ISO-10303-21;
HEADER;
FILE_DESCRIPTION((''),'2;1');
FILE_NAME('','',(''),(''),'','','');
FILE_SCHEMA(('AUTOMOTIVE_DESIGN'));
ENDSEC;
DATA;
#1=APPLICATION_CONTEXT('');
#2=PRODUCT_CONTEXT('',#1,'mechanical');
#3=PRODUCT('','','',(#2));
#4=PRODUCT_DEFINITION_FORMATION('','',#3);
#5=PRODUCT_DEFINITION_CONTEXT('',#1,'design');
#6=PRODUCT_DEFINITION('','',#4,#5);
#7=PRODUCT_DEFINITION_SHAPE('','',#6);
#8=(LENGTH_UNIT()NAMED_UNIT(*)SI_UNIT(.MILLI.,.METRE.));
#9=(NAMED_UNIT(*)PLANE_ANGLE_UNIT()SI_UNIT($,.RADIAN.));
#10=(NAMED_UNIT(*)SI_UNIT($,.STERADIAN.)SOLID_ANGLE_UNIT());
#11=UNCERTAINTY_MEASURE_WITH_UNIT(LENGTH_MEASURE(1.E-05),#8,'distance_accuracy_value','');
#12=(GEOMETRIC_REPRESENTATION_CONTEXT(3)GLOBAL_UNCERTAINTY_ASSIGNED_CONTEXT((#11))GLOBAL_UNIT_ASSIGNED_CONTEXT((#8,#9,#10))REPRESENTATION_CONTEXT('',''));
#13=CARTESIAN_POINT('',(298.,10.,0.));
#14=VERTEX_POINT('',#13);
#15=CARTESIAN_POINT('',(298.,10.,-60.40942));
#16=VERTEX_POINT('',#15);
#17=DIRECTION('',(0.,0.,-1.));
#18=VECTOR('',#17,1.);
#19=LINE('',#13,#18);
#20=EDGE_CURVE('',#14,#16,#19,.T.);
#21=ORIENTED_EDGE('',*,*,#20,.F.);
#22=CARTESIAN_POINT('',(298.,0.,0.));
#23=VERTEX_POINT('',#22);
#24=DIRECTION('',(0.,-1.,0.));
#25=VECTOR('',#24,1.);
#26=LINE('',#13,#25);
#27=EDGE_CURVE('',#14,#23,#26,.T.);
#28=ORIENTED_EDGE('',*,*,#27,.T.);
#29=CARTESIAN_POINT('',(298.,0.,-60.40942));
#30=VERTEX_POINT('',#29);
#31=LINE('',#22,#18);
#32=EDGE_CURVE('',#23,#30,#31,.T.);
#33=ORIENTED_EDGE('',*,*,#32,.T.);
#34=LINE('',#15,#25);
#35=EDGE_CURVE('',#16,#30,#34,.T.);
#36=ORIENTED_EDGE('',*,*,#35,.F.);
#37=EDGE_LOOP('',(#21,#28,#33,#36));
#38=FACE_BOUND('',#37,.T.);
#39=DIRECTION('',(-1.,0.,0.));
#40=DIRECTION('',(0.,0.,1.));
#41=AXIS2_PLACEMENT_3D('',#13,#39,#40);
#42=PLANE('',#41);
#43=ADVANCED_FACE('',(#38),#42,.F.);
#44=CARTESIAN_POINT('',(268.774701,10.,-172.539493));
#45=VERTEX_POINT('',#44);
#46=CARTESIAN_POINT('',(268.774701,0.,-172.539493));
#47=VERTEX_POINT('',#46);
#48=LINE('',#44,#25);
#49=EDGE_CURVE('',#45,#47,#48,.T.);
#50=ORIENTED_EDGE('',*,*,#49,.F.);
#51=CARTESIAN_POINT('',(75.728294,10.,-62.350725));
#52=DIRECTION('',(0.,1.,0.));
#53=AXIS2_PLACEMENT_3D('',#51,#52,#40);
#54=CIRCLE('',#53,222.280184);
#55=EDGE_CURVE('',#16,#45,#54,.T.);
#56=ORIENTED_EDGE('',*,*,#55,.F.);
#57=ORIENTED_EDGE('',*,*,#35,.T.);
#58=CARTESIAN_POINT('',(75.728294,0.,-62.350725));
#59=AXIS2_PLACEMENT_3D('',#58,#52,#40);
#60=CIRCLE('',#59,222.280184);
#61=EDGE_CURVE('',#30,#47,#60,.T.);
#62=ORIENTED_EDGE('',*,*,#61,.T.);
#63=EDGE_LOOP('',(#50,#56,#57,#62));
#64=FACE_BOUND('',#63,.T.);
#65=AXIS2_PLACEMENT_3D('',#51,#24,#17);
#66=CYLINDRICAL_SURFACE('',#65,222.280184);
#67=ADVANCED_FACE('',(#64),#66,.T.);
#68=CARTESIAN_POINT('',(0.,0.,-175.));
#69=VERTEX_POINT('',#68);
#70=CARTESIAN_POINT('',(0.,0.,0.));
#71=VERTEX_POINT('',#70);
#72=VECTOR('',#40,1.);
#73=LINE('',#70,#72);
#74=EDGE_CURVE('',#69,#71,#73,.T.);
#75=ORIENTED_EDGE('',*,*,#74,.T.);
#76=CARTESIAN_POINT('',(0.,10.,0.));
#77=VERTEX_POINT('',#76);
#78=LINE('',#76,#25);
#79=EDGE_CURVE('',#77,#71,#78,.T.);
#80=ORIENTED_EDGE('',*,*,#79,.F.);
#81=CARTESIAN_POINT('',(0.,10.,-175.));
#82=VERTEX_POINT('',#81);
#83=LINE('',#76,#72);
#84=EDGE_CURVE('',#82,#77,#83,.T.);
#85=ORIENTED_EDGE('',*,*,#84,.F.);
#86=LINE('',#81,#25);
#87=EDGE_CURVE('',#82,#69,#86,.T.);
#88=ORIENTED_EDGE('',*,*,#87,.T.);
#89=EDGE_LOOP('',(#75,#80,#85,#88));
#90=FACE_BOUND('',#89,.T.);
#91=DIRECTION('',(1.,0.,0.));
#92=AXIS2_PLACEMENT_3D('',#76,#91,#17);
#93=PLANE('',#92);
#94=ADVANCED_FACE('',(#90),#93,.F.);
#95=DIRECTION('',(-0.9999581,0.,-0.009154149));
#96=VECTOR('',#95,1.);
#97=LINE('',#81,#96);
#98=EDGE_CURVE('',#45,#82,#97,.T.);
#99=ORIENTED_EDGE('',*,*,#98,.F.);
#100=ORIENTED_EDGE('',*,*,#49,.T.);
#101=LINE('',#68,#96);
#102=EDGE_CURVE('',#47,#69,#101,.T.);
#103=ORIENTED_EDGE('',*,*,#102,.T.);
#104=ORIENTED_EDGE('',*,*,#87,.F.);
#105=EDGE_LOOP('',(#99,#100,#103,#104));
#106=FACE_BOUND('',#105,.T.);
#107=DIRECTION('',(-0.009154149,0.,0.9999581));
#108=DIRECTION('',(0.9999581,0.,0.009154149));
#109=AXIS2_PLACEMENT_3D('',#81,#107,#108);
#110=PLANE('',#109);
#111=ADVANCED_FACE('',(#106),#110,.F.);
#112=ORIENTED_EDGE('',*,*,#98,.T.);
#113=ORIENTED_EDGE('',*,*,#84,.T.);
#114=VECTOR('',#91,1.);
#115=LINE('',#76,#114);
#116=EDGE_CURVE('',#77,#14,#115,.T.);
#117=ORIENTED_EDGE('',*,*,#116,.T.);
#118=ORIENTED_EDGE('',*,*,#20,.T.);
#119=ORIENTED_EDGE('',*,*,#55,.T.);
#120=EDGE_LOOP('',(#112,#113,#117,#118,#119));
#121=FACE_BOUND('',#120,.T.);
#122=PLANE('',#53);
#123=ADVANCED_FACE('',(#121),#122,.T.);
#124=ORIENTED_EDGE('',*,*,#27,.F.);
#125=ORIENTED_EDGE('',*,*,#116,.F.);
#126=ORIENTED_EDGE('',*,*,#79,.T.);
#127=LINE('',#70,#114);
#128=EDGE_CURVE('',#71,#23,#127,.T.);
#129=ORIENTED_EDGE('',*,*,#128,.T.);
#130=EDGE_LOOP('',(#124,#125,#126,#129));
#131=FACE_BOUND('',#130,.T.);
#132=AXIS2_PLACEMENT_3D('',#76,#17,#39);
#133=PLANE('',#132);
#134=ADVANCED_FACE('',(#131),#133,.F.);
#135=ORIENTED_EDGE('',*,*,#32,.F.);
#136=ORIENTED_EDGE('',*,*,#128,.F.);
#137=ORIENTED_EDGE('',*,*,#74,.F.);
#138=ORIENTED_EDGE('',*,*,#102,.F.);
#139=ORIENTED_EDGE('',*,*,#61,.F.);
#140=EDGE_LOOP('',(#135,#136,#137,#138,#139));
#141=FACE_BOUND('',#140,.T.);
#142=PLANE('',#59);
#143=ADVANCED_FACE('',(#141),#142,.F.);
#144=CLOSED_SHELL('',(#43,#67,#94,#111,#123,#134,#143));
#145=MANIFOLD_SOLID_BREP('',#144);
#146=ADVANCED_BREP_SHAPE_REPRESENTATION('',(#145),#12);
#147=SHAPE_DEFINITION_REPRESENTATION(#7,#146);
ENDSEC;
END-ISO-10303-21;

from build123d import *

# Parameters (mm, degrees)
BOSS_EXTRUDE1_DEPTH = 10


with BuildPart() as part:
    # Sketch1 → Boss-Extrude1 (new body)
    with BuildSketch(Plane(origin=(0, 0, 0), x_dir=(1, 0, 0), z_dir=(0, 1, 0))):
        with BuildLine():
            Line((0, 0), (298, 0))
            Line((298, 0), (298, 60.409420436))
            ThreePointArc((298, 60.409420436), (290.822626954, 118.412368536), (268.77470107, 172.53949331))
            Line((268.77470107, 172.53949331), (0, 175))
            Line((0, 175), (0, 0))
        make_face()
    extrude(amount=BOSS_EXTRUDE1_DEPTH)


solid = part.part
